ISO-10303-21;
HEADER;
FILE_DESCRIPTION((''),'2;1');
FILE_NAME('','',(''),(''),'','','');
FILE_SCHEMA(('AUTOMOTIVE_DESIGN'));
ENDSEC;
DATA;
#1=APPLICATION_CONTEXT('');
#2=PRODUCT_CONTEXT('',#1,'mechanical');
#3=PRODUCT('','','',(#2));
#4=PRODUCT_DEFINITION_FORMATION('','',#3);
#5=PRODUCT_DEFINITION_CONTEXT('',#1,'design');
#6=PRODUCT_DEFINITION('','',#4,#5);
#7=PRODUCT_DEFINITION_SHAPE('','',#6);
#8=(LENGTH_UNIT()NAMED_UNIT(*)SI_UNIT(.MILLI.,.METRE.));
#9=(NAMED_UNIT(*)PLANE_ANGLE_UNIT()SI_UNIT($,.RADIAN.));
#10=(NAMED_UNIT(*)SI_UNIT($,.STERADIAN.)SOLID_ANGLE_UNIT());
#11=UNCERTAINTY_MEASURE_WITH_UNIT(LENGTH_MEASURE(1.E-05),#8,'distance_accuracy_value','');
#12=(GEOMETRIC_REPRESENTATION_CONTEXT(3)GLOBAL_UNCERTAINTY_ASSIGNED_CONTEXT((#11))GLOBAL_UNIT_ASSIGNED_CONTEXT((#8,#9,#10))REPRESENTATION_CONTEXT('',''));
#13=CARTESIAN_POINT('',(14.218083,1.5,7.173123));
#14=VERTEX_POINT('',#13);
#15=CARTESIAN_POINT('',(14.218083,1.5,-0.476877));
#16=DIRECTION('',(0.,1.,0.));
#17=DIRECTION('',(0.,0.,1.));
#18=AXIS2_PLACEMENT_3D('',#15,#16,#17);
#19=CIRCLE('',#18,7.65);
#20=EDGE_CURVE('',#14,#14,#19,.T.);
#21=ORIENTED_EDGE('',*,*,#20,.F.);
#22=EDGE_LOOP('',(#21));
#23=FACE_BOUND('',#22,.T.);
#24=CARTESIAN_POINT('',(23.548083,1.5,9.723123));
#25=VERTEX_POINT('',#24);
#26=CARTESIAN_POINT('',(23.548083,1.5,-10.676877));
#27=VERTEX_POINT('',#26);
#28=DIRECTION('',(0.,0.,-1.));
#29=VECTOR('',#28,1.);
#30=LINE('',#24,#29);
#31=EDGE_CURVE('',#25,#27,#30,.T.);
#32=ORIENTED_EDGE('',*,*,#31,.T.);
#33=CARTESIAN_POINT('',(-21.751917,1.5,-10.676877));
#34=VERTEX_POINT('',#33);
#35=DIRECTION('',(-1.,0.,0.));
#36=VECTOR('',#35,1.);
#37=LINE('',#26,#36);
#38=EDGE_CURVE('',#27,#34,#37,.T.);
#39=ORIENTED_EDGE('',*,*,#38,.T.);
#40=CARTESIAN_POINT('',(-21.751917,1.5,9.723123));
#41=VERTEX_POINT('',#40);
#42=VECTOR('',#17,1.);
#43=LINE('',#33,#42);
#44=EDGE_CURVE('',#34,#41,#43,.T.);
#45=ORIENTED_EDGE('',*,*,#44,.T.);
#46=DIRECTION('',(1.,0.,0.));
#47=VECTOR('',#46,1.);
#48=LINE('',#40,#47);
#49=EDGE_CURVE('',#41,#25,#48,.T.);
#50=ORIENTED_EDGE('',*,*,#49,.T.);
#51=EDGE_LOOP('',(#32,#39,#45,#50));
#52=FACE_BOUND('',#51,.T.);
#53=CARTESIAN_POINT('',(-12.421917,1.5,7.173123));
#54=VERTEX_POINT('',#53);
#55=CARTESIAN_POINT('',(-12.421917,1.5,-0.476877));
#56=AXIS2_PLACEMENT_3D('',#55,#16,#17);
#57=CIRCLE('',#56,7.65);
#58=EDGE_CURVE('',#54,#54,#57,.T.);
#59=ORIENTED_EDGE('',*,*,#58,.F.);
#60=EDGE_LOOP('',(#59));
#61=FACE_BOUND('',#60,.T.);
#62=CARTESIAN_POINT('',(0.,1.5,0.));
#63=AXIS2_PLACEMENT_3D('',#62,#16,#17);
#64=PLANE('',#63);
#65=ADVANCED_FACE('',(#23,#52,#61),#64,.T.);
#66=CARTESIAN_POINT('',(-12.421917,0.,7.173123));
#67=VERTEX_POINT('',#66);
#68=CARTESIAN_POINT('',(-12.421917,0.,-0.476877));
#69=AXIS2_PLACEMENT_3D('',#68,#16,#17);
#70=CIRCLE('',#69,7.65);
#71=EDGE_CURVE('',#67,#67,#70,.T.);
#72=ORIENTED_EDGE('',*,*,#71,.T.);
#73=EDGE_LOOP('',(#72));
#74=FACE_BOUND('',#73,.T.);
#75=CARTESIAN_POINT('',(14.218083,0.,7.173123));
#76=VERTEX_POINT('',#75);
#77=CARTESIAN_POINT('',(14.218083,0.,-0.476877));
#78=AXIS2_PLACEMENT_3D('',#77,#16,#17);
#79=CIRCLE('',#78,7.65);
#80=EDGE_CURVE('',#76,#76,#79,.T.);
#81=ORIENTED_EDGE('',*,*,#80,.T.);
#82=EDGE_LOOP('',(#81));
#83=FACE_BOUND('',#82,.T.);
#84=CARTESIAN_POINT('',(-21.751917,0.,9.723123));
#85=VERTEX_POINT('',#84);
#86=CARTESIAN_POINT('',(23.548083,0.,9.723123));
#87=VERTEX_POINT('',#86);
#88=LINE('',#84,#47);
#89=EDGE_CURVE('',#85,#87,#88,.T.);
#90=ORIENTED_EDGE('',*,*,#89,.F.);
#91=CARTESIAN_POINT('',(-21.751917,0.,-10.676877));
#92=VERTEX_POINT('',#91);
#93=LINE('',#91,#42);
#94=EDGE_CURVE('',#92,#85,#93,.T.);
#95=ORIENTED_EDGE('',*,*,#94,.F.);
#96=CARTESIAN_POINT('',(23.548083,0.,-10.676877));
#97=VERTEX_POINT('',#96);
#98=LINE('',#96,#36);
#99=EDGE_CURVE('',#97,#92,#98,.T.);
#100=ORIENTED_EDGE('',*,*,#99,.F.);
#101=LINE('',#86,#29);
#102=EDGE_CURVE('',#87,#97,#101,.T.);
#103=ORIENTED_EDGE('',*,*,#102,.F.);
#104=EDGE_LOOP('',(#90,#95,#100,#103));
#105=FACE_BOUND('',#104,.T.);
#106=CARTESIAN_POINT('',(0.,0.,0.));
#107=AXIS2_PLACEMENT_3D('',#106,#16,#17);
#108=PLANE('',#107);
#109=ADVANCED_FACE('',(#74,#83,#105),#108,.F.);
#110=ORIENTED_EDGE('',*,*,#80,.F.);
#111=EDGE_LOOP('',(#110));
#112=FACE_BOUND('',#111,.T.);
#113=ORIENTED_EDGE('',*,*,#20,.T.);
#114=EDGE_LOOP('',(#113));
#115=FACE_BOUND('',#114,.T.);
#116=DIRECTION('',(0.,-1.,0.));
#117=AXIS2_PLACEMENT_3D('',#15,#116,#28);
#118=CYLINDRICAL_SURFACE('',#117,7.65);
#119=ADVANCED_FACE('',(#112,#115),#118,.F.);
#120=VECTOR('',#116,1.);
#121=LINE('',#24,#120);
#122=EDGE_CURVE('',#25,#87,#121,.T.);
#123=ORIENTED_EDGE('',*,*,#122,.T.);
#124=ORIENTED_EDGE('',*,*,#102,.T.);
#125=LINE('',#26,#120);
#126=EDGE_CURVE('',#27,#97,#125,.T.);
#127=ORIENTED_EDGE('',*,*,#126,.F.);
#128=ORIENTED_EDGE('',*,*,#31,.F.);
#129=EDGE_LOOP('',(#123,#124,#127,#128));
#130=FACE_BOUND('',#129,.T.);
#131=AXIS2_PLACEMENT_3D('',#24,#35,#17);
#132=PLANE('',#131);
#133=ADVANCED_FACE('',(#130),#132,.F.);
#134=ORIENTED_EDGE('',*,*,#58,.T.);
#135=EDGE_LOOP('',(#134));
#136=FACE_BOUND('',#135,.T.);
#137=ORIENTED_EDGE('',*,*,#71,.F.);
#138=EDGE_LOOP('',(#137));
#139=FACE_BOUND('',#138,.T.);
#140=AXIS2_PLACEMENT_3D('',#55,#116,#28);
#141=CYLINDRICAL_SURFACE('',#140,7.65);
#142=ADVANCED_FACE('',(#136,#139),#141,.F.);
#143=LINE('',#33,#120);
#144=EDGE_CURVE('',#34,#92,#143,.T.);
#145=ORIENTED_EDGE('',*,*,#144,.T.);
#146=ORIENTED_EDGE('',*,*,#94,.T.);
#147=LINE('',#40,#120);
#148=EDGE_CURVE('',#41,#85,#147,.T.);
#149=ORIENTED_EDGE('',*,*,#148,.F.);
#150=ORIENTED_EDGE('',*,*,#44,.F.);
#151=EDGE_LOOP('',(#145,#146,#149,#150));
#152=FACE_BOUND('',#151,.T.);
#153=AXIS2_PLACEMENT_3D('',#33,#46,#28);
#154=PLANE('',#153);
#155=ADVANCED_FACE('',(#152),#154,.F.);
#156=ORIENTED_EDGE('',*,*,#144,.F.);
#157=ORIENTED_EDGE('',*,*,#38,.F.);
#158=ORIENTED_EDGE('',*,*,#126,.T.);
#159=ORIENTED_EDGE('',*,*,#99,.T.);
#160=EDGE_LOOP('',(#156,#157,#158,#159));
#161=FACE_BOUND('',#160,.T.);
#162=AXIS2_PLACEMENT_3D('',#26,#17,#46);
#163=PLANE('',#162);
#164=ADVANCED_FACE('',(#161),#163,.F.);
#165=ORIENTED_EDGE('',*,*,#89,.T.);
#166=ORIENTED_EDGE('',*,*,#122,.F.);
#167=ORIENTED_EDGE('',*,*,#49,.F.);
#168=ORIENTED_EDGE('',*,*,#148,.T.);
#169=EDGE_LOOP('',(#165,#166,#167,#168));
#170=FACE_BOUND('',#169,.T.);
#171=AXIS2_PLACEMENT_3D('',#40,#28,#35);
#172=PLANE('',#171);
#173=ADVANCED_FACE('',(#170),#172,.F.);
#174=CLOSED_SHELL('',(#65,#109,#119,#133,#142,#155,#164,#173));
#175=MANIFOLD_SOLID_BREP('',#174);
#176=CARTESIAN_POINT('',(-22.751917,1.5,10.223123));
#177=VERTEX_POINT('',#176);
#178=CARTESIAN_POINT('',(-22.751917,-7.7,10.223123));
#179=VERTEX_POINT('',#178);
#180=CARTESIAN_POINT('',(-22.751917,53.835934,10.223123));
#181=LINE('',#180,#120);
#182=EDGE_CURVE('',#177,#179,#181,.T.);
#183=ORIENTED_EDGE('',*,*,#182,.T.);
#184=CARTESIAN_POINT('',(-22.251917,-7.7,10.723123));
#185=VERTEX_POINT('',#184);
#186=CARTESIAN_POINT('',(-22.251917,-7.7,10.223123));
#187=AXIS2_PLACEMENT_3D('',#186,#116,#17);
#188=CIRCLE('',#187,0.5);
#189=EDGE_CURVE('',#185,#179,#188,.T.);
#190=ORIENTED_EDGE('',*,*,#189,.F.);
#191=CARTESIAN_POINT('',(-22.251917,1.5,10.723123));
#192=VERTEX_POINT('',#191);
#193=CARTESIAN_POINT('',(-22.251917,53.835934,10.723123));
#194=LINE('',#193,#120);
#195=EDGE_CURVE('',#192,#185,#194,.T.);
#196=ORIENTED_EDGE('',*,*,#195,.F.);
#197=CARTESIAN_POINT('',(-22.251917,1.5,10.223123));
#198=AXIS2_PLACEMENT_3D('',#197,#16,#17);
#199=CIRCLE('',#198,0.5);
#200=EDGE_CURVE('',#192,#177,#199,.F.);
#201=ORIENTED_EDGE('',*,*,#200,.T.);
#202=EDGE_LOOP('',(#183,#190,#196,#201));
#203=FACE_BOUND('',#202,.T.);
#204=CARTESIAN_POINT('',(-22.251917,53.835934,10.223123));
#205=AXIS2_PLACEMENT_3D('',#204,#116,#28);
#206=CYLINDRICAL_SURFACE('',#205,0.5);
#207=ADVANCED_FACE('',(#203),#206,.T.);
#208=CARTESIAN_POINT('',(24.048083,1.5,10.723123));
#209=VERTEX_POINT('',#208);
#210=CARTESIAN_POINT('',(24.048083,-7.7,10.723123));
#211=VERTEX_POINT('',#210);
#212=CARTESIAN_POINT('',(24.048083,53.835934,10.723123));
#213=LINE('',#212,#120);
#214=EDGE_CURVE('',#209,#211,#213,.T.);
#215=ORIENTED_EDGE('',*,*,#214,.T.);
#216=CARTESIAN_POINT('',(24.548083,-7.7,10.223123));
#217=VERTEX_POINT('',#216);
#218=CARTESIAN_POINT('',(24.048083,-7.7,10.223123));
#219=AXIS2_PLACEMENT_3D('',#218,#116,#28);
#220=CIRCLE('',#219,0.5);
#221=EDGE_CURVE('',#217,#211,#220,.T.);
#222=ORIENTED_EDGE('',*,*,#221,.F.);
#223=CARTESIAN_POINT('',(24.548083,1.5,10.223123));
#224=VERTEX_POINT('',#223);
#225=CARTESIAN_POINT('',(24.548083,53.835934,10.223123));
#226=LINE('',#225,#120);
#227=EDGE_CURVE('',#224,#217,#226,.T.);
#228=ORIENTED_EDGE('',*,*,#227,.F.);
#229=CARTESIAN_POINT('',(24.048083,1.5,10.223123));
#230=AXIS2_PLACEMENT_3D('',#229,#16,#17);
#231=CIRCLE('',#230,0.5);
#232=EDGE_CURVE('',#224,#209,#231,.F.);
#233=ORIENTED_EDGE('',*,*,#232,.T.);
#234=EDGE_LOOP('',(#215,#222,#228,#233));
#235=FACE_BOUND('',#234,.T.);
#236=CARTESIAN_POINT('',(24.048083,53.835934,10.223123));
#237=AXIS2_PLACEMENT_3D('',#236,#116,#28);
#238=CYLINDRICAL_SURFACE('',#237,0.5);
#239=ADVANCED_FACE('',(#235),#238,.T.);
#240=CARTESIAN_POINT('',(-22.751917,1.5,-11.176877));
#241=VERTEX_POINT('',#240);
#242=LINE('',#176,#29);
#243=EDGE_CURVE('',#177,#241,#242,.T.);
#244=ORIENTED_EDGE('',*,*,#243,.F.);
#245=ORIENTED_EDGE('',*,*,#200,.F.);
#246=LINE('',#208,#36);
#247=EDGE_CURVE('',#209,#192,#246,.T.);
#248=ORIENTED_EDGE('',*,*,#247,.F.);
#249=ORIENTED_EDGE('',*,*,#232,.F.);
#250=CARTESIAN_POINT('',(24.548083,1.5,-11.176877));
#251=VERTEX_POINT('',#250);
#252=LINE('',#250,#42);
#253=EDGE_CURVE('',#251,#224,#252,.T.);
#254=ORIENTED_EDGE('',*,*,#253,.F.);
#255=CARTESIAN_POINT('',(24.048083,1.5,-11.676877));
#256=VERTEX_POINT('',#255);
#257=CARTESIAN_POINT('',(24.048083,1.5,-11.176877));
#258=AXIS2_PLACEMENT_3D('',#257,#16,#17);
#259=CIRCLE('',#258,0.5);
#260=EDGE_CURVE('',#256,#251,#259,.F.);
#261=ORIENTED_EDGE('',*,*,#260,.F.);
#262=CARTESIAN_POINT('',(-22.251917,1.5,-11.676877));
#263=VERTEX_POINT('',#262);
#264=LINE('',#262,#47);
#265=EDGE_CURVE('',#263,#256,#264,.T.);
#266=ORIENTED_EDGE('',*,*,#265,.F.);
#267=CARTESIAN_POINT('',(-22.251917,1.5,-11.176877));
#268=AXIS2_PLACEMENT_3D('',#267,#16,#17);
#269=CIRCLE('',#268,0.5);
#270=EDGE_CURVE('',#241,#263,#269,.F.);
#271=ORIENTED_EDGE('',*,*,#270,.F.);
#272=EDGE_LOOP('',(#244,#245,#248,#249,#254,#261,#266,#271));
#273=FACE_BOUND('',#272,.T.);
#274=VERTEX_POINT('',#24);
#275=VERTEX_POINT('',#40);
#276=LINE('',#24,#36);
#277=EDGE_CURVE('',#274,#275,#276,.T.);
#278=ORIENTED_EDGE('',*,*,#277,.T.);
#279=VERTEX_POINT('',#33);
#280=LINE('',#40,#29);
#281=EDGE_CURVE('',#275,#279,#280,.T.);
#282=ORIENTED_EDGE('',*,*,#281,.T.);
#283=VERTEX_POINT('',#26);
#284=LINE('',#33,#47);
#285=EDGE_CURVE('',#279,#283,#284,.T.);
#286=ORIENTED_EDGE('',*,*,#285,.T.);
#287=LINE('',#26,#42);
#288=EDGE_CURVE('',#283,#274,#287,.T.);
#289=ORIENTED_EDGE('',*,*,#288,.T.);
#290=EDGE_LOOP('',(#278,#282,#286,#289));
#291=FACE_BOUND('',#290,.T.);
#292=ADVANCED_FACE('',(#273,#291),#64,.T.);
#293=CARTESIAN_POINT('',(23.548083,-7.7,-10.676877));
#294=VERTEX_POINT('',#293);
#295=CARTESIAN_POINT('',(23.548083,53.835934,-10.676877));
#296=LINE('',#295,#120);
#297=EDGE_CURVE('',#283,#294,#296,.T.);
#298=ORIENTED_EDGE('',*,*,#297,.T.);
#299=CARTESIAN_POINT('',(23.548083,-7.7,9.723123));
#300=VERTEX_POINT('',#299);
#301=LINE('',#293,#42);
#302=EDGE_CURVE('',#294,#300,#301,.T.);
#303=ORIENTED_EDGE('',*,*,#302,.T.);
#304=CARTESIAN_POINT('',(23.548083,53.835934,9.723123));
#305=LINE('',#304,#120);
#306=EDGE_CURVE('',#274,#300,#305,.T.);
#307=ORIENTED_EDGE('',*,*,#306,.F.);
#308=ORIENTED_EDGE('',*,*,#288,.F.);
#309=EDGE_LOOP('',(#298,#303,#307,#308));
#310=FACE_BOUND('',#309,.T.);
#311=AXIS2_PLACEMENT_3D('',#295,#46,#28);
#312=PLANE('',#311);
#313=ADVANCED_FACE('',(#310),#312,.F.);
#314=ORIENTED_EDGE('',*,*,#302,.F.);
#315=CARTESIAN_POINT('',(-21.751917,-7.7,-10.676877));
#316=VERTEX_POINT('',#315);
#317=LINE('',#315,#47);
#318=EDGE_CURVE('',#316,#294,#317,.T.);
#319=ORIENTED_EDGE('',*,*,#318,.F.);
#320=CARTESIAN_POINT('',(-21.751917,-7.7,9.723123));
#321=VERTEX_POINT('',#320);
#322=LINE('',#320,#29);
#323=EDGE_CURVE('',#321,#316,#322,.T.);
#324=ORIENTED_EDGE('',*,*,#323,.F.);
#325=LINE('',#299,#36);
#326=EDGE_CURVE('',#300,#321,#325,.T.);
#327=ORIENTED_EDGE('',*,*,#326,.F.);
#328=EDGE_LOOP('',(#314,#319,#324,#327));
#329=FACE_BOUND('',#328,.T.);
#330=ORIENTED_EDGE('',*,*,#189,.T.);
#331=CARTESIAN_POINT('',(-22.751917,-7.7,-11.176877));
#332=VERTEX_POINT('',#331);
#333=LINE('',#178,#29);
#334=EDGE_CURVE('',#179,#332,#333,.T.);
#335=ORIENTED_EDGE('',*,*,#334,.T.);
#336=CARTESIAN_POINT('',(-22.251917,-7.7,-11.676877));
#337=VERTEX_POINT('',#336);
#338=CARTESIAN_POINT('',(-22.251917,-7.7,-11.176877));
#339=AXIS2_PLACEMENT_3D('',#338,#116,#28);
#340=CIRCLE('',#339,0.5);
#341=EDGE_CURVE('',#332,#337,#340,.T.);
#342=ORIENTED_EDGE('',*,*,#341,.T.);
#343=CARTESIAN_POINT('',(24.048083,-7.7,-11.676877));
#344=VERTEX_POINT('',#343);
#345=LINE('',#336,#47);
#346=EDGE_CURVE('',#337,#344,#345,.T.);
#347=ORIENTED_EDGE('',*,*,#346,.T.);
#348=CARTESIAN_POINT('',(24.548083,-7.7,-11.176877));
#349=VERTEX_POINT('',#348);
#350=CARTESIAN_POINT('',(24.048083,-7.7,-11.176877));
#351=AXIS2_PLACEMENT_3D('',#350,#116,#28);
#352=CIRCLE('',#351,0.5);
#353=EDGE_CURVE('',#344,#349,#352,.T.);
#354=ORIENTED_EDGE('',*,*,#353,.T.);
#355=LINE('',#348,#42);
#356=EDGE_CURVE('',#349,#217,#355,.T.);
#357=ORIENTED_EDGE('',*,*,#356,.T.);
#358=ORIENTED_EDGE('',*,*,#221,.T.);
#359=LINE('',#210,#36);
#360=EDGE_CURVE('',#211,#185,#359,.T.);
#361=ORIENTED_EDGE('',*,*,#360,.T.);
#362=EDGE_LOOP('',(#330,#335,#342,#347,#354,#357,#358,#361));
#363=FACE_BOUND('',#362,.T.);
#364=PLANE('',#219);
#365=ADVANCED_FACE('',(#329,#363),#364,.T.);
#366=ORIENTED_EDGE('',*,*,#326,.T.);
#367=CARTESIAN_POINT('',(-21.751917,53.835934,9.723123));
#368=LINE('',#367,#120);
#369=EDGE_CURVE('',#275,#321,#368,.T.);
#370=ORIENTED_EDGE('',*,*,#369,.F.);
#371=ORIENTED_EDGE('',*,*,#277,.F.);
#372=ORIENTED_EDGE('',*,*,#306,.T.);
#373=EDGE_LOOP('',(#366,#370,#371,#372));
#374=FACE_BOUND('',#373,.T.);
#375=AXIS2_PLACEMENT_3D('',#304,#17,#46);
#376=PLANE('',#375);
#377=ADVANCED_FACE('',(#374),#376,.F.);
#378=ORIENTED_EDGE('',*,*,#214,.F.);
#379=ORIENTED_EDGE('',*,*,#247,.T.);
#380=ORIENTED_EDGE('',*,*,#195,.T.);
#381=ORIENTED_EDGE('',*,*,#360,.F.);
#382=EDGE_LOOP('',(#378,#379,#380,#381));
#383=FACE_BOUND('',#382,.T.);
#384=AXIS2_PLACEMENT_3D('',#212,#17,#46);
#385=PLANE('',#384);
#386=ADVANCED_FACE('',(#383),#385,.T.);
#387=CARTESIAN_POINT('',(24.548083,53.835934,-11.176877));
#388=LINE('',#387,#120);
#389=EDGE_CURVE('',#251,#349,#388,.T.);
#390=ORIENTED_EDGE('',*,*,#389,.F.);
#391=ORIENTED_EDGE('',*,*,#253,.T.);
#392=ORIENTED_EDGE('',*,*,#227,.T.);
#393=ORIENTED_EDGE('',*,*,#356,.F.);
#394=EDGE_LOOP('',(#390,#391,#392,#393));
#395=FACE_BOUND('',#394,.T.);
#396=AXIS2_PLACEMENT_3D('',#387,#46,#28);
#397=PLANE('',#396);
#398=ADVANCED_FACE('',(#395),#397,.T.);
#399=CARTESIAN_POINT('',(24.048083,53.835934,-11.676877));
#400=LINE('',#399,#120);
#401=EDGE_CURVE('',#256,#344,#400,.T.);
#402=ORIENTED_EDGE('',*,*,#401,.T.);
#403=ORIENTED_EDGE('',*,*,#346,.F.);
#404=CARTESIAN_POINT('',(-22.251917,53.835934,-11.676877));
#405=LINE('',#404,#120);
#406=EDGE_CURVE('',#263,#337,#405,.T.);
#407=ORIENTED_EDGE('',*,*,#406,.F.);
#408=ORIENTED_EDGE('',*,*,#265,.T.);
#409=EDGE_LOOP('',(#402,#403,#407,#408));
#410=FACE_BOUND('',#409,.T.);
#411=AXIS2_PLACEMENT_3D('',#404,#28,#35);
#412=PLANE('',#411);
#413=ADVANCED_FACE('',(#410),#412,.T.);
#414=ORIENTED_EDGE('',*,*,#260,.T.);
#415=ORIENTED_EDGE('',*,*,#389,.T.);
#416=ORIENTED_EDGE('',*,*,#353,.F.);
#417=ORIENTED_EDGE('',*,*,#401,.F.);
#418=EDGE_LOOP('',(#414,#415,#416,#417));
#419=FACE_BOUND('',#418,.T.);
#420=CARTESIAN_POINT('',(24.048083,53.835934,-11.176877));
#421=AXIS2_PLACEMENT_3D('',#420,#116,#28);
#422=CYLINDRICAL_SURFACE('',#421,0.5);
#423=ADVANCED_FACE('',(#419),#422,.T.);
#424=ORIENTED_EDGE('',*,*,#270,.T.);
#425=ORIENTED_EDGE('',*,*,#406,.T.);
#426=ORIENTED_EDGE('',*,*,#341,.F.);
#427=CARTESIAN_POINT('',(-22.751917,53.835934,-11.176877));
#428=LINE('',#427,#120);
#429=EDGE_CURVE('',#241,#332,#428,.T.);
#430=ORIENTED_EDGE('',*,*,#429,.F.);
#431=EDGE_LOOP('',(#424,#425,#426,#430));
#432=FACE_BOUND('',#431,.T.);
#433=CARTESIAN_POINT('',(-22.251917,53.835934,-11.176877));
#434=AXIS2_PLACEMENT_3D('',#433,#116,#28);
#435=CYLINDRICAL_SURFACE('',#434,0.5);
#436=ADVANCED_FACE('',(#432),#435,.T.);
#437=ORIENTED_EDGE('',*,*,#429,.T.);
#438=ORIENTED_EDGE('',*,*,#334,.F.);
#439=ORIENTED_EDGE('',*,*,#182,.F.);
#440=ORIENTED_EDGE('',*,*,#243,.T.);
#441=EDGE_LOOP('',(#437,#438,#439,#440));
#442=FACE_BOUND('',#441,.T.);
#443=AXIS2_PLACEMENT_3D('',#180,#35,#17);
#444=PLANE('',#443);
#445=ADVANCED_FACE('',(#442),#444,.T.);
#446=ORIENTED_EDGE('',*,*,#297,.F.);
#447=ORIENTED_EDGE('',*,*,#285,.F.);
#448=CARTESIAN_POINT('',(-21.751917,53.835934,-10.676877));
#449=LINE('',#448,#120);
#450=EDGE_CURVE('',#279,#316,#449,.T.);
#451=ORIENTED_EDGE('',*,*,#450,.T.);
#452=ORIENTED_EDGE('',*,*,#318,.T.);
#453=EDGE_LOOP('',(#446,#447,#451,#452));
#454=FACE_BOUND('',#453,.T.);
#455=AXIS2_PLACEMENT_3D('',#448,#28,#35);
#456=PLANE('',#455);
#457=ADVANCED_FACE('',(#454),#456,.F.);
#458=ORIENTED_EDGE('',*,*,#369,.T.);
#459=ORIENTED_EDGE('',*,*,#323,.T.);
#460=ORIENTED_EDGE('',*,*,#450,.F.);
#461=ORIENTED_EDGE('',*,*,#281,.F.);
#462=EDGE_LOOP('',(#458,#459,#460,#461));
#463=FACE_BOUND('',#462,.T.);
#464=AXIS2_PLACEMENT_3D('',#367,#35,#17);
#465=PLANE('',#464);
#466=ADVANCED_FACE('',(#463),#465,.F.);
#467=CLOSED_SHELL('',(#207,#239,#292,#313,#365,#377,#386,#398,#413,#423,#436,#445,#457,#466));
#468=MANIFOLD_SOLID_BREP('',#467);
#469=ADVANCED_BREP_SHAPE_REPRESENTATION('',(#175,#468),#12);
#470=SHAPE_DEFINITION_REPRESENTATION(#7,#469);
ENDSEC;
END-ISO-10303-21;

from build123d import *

# Parameters (mm, degrees)
CROQUIS2_W                   = 45.3
CROQUIS2_H                   = 20.4
CROQUIS2_R                   = 7.65
SALIENTE_EXTRUIR1_DEPTH      = 1.5
SALIENTE_EXTRUIR2_DEPTH      = 7.7
SALIENTE_EXTRUIR2_DEPTH_BACK = 1.5
CROQUIS3_W                   = 45.3
CROQUIS3_H                   = 20.4


with BuildPart() as part:
    # Croquis2 → Saliente-Extruir1 (new body)
    with BuildSketch(Plane(origin=(0, 0, 0), x_dir=(1, 0, 0), z_dir=(0, 1, 0))):
        with Locations((0.898083434, 0.47687702)):
            Rectangle(CROQUIS2_W, CROQUIS2_H)
        with Locations(Location((14.218083434, 0.47687702, 0), (0, 0, 270))):
            Circle(CROQUIS2_R, mode=Mode.SUBTRACT)
        with Locations(Location((-12.421916566, 0.47687702, 0), (0, 0, 270))):
            Circle(CROQUIS2_R, mode=Mode.SUBTRACT)
    extrude(amount=SALIENTE_EXTRUIR1_DEPTH)


with BuildPart() as body_2:
    # Croquis3 → Saliente-Extruir2 (new, two sides: drawn at the far end of the back side and taken through both)
    with BuildSketch(Plane.XZ.offset(-SALIENTE_EXTRUIR2_DEPTH_BACK)):
        with BuildLine():
            Line((-22.751916566, 10.22312298), (-22.751916566, -11.17687702))
            ThreePointArc((-22.751916566, -11.17687702), (-22.605469957, -11.530430411), (-22.251916566, -11.67687702))
            Line((-22.251916566, -11.67687702), (24.048083434, -11.67687702))
            ThreePointArc((24.048083434, -11.67687702), (24.401636824, -11.530430411), (24.548083434, -11.17687702))
            Line((24.548083434, -11.17687702), (24.548083434, 10.22312298))
            ThreePointArc((24.548083434, 10.22312298), (24.401636824, 10.57667637), (24.048083434, 10.72312298))
            Line((24.048083434, 10.72312298), (-22.251916566, 10.72312298))
            ThreePointArc((-22.251916566, 10.72312298), (-22.605469957, 10.57667637), (-22.751916566, 10.22312298))
        make_face()
        with Locations((0.898083434, -0.47687702)):
            Rectangle(CROQUIS3_W, CROQUIS3_H, mode=Mode.SUBTRACT)
    extrude(amount=SALIENTE_EXTRUIR2_DEPTH + SALIENTE_EXTRUIR2_DEPTH_BACK)


solid = Compound([part.part, body_2.part])
